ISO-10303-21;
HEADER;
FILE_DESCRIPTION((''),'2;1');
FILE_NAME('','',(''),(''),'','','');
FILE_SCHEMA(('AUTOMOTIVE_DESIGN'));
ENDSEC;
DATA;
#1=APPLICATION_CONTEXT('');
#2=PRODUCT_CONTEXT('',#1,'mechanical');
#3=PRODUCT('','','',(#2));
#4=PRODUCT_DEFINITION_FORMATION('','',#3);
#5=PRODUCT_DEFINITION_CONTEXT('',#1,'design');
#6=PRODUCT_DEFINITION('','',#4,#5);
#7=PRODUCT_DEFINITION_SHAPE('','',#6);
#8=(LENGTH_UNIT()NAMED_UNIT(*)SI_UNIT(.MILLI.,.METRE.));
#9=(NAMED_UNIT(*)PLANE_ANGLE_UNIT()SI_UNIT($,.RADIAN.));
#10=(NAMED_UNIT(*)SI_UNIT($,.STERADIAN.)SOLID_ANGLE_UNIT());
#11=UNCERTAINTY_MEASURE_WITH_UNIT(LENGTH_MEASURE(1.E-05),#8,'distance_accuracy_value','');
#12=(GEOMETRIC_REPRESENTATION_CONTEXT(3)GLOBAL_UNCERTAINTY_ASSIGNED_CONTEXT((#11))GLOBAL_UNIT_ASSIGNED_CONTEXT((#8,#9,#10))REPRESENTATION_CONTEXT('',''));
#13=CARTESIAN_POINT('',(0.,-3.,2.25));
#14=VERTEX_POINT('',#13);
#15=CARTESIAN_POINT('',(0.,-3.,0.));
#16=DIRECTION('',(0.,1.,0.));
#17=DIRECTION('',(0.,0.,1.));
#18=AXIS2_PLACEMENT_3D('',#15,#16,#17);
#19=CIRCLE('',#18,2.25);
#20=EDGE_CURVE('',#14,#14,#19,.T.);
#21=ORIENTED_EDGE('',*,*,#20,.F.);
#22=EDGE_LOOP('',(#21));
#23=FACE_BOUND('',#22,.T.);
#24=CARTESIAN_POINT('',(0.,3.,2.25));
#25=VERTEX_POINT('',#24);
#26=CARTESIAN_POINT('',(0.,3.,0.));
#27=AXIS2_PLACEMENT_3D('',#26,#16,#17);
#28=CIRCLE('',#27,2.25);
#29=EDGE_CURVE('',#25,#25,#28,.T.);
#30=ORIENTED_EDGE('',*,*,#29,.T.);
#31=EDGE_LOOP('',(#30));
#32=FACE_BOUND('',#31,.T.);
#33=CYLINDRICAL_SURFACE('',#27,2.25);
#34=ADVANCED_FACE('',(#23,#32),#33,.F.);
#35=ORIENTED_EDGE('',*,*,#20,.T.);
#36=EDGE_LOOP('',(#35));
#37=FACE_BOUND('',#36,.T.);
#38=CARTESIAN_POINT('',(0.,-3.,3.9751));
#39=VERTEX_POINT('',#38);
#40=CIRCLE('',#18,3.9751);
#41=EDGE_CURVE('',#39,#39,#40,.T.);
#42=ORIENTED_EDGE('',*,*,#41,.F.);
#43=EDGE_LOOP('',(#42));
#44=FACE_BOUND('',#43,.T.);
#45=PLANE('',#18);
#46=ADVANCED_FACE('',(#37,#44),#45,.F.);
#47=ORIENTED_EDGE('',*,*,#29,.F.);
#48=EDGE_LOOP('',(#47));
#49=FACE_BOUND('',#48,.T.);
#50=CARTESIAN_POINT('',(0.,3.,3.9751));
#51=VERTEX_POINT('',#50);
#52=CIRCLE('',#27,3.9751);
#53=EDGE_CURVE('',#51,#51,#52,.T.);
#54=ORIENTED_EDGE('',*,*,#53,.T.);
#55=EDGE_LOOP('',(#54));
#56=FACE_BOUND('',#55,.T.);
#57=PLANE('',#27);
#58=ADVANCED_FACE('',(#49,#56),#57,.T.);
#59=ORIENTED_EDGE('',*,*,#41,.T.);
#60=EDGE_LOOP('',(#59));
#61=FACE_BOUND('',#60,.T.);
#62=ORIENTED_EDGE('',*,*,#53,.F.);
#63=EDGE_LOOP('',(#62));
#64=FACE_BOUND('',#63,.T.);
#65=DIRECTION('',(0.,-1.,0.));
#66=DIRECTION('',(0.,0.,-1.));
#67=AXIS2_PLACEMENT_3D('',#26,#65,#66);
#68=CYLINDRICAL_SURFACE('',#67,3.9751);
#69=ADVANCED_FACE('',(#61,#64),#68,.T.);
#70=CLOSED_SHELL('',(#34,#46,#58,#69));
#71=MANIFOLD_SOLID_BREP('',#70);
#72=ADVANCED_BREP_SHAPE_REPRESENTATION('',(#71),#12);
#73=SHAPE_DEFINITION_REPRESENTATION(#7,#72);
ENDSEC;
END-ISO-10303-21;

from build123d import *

# Parameters (mm, degrees)
SKETCH2_R            = 3.9751
BOSS_EXTRUDE1_DEPTH  = 3
M4_CLEARANCE_HOLE1_D = 4.5


with BuildPart() as part:
    # Sketch2 → Boss-Extrude1 (new body, symmetric)
    with BuildSketch(Plane(origin=(0, 0, 0), x_dir=(1, 0, 0), z_dir=(0, 1, 0))):
        Circle(SKETCH2_R)
    extrude(amount=BOSS_EXTRUDE1_DEPTH, both=True)

    # M4 Clearance Hole1 (through all)
    with Locations(Plane(origin=(0, 3, 0), x_dir=(1, 0, 0), z_dir=(0, 1, 0))):
        with Locations((0, 0)):
            Hole(M4_CLEARANCE_HOLE1_D / 2)


solid = part.part
